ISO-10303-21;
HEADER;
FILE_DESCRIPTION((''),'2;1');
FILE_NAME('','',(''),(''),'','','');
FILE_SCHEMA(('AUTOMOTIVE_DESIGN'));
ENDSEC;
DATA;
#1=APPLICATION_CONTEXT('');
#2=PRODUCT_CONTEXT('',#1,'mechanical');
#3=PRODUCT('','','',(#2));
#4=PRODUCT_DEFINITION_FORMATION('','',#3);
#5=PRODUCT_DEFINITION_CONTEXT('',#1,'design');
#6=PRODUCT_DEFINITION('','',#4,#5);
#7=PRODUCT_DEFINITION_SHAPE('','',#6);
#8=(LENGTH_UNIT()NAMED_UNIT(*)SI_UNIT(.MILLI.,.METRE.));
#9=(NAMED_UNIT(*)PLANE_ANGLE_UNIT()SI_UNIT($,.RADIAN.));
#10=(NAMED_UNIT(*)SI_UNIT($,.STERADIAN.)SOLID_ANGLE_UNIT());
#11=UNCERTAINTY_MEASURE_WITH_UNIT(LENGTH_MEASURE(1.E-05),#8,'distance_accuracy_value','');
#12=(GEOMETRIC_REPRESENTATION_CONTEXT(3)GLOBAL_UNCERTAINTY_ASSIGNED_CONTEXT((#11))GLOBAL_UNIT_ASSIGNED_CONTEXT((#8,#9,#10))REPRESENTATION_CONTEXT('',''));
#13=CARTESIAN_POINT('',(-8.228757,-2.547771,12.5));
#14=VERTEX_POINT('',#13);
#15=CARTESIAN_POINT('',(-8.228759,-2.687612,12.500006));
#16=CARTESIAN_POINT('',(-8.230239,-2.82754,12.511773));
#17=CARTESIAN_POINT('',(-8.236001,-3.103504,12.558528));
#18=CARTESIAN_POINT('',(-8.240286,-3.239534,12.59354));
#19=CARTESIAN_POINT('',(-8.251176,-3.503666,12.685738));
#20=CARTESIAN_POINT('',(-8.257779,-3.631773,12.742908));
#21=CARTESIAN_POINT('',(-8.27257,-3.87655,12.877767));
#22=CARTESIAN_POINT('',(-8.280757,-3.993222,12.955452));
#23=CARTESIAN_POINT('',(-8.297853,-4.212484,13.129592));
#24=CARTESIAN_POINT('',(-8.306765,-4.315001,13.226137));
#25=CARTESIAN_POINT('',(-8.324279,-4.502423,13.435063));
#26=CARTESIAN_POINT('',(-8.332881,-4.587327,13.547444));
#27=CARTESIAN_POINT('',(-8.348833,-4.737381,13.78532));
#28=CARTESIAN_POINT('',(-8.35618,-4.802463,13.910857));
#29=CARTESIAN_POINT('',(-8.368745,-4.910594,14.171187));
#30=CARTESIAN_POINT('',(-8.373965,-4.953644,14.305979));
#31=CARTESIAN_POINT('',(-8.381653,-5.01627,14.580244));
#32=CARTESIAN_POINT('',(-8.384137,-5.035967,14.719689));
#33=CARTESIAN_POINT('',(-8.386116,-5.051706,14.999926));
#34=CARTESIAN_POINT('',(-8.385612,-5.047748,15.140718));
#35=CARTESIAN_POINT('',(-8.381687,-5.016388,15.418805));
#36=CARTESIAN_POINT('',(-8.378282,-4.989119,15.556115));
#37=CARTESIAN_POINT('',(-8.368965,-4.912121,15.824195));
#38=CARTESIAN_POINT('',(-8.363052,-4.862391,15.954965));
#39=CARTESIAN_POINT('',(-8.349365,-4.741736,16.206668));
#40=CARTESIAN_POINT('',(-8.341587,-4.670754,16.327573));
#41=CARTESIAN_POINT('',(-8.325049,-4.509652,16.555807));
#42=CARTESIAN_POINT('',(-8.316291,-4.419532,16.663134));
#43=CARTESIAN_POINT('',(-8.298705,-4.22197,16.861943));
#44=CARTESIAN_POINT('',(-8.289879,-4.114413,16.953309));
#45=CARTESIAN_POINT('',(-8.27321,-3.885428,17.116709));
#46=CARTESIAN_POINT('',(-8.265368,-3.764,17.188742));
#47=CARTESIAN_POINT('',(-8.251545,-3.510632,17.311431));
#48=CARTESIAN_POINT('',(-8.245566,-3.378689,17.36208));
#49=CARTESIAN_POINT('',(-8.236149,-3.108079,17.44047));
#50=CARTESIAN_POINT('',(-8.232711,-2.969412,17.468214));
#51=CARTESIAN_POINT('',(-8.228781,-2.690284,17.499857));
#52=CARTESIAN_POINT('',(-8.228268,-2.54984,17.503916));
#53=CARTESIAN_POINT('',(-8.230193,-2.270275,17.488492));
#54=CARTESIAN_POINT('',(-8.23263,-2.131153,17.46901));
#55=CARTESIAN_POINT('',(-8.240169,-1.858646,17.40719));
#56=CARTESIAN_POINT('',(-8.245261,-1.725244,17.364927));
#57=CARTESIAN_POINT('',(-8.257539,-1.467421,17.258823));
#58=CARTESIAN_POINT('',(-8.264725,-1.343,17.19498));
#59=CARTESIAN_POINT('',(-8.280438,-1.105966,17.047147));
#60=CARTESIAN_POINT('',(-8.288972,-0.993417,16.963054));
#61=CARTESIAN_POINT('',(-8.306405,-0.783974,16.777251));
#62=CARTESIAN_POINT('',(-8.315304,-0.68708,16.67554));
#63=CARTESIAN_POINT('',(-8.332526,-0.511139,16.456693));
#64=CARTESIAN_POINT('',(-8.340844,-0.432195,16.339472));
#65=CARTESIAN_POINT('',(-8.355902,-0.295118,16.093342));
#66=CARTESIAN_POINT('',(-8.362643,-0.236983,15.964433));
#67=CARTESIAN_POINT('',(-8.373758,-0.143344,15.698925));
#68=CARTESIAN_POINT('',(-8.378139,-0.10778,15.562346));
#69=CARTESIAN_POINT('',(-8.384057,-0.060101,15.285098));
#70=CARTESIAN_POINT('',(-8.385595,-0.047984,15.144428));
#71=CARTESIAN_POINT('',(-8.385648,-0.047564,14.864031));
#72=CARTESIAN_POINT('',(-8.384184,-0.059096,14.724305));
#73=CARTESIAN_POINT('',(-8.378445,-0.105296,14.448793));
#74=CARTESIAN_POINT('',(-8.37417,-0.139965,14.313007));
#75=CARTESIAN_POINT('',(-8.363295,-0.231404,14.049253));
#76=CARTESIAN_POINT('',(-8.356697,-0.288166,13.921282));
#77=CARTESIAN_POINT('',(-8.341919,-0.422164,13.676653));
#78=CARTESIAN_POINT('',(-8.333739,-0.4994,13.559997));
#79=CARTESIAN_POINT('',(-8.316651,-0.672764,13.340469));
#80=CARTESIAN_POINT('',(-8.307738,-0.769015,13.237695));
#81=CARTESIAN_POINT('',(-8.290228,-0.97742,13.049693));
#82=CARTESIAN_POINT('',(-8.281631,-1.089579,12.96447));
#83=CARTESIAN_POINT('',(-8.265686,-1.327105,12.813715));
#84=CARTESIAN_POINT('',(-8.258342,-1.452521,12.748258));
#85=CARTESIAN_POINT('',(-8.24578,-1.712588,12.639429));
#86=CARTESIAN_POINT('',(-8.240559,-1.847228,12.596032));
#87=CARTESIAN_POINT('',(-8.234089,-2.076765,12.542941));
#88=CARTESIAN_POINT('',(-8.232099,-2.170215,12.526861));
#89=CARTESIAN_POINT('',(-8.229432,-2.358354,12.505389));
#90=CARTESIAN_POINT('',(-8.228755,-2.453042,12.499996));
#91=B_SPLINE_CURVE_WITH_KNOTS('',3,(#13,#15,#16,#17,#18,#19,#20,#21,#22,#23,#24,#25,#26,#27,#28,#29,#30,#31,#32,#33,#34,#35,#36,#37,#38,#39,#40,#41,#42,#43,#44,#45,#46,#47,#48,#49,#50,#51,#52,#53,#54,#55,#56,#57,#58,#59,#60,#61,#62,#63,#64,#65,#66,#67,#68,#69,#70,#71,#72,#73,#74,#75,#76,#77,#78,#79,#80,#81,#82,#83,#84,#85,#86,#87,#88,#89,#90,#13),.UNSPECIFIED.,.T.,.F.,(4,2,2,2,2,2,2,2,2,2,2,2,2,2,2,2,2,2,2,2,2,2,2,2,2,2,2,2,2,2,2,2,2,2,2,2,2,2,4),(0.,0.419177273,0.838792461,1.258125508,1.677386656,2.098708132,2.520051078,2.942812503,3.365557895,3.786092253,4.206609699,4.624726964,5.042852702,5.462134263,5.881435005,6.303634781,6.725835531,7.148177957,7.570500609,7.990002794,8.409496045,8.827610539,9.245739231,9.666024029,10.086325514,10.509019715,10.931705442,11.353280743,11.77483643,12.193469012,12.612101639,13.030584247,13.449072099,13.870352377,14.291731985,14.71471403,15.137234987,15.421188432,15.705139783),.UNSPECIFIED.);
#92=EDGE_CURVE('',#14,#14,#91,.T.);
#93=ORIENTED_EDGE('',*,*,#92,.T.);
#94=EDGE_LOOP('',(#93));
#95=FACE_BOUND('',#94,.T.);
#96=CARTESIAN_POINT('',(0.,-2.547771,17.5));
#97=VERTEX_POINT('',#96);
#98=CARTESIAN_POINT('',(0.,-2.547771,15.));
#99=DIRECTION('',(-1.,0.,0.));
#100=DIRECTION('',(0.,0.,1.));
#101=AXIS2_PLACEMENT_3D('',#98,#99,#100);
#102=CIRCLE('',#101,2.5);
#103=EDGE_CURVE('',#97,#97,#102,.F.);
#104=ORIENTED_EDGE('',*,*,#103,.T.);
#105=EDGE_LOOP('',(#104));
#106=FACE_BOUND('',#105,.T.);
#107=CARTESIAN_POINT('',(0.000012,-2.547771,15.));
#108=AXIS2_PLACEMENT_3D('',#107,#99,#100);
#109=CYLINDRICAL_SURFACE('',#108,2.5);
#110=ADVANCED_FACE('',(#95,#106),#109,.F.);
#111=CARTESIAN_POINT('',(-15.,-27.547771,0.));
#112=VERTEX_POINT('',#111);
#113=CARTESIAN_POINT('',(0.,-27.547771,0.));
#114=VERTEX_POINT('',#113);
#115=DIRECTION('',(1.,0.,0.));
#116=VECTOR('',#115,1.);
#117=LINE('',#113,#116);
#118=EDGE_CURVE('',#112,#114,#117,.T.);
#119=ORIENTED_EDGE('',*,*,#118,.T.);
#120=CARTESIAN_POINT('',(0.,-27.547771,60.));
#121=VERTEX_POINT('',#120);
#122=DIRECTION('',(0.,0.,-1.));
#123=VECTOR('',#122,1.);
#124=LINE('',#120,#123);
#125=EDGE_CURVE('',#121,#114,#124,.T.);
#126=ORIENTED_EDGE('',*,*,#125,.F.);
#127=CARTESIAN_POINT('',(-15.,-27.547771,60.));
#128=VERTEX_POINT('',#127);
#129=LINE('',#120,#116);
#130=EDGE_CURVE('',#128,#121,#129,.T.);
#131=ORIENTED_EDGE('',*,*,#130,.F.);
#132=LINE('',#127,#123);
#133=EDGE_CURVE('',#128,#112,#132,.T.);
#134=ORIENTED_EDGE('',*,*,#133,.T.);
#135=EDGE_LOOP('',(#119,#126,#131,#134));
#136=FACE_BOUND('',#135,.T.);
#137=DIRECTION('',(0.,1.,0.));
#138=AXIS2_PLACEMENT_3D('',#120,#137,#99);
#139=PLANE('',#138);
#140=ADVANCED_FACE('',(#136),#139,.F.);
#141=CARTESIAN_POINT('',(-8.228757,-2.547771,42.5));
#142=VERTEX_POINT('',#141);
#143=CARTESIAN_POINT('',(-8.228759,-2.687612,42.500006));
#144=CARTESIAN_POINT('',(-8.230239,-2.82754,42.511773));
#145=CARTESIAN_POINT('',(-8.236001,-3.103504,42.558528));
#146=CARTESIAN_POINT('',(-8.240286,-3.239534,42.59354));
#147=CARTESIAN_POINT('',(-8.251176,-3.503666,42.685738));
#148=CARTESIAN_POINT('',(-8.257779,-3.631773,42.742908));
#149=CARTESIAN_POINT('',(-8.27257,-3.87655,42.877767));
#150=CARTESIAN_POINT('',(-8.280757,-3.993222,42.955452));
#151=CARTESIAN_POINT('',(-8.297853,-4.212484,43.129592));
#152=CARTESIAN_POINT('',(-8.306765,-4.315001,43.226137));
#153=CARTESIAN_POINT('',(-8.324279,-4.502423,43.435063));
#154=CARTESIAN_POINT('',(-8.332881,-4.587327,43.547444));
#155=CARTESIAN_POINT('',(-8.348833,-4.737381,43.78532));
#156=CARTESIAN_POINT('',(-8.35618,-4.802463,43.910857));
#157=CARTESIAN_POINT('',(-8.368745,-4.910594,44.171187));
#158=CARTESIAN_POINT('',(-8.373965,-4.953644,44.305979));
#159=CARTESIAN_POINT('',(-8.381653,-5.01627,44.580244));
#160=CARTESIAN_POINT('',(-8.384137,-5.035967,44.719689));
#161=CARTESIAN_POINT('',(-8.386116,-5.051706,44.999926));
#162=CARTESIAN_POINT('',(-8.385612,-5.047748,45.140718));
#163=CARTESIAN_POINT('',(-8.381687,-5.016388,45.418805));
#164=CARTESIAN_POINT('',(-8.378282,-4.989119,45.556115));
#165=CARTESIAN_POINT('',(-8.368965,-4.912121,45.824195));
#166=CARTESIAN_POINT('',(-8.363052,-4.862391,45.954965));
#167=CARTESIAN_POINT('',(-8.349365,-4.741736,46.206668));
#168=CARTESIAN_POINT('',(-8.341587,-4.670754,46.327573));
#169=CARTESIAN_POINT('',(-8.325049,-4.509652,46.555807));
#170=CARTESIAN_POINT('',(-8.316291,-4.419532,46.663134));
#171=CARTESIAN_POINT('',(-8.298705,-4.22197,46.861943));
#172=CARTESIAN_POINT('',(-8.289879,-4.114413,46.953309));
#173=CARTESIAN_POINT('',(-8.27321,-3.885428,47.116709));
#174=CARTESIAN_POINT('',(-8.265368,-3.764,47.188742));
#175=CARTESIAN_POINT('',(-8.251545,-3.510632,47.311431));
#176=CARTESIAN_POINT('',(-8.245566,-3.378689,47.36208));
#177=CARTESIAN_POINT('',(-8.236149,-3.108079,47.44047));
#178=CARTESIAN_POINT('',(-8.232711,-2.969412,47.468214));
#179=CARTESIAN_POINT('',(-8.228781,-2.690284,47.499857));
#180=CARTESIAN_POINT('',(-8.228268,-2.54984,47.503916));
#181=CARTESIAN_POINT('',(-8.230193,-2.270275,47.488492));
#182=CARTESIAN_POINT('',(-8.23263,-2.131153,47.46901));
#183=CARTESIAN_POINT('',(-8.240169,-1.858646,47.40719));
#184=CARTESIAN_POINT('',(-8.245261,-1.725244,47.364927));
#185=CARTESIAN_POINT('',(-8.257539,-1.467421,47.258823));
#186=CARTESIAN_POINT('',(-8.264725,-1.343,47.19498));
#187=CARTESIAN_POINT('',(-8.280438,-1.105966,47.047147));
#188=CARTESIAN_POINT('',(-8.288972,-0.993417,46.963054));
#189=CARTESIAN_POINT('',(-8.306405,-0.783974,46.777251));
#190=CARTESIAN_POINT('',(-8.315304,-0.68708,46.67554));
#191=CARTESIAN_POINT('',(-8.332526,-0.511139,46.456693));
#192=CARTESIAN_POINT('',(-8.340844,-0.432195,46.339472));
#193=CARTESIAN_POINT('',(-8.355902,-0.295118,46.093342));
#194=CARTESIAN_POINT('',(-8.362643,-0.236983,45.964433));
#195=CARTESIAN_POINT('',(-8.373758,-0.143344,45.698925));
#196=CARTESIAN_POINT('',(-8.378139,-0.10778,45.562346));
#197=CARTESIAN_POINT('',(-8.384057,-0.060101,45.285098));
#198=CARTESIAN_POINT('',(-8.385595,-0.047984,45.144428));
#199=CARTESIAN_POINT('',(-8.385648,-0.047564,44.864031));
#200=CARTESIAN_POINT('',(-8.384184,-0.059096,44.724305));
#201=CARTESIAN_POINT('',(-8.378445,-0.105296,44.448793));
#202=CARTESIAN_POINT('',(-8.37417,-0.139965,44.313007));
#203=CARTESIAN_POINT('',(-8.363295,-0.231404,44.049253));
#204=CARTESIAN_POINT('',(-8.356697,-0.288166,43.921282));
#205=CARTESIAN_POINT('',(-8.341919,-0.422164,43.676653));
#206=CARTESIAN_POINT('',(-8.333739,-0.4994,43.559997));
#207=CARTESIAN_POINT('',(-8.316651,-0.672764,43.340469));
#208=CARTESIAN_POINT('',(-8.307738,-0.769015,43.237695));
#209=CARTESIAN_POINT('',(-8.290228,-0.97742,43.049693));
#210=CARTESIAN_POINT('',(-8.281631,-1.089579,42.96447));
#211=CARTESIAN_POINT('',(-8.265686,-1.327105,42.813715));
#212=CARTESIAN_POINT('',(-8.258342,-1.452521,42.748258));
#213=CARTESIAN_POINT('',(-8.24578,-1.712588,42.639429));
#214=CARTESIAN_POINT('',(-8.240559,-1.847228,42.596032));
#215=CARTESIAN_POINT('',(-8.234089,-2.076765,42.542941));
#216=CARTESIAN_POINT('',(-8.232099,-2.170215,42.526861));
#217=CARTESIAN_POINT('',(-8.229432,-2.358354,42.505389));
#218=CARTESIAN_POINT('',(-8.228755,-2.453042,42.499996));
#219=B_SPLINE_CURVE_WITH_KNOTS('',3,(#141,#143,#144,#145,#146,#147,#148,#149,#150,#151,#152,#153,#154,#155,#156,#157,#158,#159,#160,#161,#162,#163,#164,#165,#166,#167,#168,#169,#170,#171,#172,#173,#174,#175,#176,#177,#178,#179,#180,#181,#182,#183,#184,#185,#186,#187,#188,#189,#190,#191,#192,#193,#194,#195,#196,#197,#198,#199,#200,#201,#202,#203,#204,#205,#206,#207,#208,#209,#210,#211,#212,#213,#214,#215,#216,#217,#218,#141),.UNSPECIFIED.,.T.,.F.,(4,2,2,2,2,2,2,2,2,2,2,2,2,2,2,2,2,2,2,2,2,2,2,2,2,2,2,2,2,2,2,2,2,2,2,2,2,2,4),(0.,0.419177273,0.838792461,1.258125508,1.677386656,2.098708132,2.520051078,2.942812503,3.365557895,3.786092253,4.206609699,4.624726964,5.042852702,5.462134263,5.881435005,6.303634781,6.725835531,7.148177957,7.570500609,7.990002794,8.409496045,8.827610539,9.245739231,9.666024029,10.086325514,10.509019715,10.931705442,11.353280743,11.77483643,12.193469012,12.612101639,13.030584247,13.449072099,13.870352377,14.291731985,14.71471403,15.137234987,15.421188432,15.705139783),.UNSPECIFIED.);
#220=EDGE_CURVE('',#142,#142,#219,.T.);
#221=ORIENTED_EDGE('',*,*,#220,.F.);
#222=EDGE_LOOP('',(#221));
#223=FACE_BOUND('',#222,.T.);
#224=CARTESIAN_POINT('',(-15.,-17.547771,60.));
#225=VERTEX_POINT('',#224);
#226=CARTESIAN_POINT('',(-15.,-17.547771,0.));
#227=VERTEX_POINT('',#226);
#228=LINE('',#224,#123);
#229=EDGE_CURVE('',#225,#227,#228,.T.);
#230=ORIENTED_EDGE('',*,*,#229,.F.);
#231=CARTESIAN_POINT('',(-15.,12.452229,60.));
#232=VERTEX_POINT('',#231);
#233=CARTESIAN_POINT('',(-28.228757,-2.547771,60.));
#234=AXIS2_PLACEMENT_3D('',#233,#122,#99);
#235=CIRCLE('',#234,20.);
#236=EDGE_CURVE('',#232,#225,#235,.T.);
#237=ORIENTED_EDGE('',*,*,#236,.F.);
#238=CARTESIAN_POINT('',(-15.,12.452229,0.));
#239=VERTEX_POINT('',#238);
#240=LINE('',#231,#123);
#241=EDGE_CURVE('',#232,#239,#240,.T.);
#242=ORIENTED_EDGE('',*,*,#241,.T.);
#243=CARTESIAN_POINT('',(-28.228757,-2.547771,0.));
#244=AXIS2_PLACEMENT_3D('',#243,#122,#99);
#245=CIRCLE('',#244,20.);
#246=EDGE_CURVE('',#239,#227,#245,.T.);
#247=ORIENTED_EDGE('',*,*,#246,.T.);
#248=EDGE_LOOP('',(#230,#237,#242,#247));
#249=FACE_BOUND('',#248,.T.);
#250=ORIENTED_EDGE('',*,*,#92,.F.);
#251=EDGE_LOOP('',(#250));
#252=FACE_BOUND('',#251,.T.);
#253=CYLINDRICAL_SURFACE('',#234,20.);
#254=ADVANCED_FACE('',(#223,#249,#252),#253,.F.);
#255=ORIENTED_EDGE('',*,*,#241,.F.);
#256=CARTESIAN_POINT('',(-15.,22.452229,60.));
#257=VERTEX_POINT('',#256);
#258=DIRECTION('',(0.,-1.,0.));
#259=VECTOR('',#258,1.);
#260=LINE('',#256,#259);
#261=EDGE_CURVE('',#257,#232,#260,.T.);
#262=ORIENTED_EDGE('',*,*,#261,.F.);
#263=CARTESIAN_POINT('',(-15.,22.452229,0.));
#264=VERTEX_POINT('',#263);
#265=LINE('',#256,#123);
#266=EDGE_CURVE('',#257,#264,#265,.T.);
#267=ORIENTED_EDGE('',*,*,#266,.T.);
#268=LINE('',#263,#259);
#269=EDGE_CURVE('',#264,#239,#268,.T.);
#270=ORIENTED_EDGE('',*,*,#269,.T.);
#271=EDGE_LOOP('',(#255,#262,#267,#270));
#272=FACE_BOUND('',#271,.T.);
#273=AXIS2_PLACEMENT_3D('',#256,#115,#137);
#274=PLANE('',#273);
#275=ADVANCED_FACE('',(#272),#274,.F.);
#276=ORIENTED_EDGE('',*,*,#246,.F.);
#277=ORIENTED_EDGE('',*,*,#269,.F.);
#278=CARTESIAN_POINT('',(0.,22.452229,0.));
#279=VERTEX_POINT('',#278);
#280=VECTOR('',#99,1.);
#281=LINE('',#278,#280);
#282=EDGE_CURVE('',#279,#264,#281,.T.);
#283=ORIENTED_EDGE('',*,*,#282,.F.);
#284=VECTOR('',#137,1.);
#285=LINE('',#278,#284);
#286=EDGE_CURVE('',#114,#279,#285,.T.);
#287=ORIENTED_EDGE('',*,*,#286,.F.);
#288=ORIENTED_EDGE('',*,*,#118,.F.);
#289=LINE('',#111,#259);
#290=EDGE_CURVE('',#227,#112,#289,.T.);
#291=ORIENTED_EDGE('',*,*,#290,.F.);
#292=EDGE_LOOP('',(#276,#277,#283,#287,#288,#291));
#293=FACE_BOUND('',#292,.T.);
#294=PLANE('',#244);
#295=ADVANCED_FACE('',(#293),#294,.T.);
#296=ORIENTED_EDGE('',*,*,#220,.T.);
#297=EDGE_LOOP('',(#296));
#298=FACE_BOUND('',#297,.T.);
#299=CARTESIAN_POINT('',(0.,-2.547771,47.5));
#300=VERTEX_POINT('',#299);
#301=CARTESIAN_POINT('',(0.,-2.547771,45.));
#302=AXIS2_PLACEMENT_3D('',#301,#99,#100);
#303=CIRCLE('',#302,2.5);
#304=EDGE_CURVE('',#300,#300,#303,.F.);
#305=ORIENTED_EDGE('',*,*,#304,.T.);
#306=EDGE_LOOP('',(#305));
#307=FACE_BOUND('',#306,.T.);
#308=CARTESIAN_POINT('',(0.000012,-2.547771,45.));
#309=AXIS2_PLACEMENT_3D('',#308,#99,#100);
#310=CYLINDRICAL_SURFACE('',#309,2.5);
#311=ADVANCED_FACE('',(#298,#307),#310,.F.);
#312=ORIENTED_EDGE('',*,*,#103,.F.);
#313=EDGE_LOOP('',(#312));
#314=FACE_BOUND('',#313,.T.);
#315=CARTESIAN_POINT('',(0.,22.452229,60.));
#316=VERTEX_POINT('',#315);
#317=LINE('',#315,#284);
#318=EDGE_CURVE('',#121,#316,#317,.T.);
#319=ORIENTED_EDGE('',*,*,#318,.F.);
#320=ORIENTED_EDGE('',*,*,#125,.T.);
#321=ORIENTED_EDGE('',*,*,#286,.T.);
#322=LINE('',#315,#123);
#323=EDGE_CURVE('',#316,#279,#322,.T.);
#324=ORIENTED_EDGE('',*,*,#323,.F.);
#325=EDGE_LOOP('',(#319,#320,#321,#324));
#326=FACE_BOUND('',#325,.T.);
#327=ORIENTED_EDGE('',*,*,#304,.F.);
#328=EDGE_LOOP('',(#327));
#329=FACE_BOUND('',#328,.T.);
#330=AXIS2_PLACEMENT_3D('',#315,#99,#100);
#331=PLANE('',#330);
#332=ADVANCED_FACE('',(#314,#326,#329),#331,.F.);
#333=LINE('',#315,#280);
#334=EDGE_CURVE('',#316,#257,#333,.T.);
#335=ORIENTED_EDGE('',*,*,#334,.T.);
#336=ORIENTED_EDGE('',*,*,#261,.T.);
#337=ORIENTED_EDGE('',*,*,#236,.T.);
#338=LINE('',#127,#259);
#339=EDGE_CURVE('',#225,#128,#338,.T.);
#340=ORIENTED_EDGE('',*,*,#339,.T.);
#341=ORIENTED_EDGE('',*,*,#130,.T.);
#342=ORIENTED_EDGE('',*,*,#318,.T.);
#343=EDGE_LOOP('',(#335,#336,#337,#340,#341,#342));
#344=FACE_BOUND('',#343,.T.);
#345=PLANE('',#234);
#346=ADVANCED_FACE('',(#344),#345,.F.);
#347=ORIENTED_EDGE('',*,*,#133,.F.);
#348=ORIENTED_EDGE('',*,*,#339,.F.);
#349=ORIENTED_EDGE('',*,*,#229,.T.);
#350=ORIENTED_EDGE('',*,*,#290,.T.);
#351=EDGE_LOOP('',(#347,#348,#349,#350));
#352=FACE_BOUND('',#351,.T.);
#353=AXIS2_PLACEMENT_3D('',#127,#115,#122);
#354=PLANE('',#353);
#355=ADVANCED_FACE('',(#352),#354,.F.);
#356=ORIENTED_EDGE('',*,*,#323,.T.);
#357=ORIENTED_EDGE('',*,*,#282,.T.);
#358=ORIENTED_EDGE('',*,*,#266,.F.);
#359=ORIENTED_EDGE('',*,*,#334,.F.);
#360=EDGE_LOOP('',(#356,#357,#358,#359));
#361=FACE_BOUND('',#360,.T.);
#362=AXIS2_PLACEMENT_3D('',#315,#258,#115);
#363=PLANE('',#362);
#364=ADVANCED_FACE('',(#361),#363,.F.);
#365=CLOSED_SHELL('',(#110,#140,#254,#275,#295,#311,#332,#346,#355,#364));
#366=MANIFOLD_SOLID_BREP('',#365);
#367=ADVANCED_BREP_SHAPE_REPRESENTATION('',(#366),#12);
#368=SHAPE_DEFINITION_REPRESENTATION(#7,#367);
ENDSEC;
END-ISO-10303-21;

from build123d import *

# Parameters (mm, degrees)
BOSS_EXTRUDE1_DEPTH            = 60
CUT_EXTRUDE1_REACH             = 69.704
CUT_EXTRUDE1_END_RADIUS        = 20
SKETCH3_R                      = 2.5
CUT_EXTRUDE1_DIRECTION_2_DEPTH = 68.704354886


with BuildPart() as part:
    # Sketch2 → Boss-Extrude1 (new body)
    with BuildSketch(Plane.XY):
        with BuildLine():
            Line((0, 22.452229299), (0, -27.547770701))
            Line((0, -27.547770701), (-15, -27.547770701))
            Line((-15, -27.547770701), (-15, -17.547770701))
            ThreePointArc((-15, -17.547770701), (-8.228756555, -2.547770701), (-15, 12.452229299))
            Line((-15, 12.452229299), (-15, 22.452229299))
            Line((-15, 22.452229299), (0, 22.452229299))
        make_face()
    extrude(amount=BOSS_EXTRUDE1_DEPTH)

    # Cut-Extrude1: up to this cylinder (the profile starts outside it)
    cut_extrude1_end = Plane(origin=(-28.228756555, -2.547770701, 30), z_dir=(0, 0, -1)) * Cylinder(CUT_EXTRUDE1_END_RADIUS, 210.408, mode=Mode.PRIVATE)
    # Sketch3 → Cut-Extrude1 (cut, up to the surface)
    with BuildSketch(Plane(origin=(0, 0, 0), x_dir=(0, 0, -1), z_dir=(1, 0, 0)), mode=Mode.PRIVATE) as cut_extrude1_sk1:
        with Locations(Location((-15, -2.547770701, 0), (0, 0, 180))):
            Circle(SKETCH3_R)
    cut_extrude1_tool1 = extrude(cut_extrude1_sk1.sketch, amount=-CUT_EXTRUDE1_REACH, mode=Mode.PRIVATE) - cut_extrude1_end
    add(cut_extrude1_tool1.solids().sort_by_distance((0, -2.547771, 15))[0], mode=Mode.SUBTRACT)
    # Sketch3 → Cut-Extrude1 (cut, up to the surface)
    with BuildSketch(Plane(origin=(0, 0, 0), x_dir=(0, 0, -1), z_dir=(1, 0, 0)), mode=Mode.PRIVATE) as cut_extrude1_sk2:
        with Locations(Location((-45, -2.547770701, 0), (0, 0, 180))):
            Circle(SKETCH3_R)
    cut_extrude1_tool2 = extrude(cut_extrude1_sk2.sketch, amount=-CUT_EXTRUDE1_REACH, mode=Mode.PRIVATE) - cut_extrude1_end
    add(cut_extrude1_tool2.solids().sort_by_distance((0, -2.547771, 45))[0], mode=Mode.SUBTRACT)

    # Sketch3 → Cut-Extrude1 direction 2 (cut)
    with BuildSketch(Plane(origin=(0, 0, 0), x_dir=(0, 0, -1), z_dir=(1, 0, 0))):
        with Locations(Location((-15, -2.547770701, 0), (0, 0, 180))):
            Circle(SKETCH3_R)
        with Locations(Location((-45, -2.547770701, 0), (0, 0, 180))):
            Circle(SKETCH3_R)
    extrude(amount=CUT_EXTRUDE1_DIRECTION_2_DEPTH, mode=Mode.SUBTRACT)


solid = part.part
